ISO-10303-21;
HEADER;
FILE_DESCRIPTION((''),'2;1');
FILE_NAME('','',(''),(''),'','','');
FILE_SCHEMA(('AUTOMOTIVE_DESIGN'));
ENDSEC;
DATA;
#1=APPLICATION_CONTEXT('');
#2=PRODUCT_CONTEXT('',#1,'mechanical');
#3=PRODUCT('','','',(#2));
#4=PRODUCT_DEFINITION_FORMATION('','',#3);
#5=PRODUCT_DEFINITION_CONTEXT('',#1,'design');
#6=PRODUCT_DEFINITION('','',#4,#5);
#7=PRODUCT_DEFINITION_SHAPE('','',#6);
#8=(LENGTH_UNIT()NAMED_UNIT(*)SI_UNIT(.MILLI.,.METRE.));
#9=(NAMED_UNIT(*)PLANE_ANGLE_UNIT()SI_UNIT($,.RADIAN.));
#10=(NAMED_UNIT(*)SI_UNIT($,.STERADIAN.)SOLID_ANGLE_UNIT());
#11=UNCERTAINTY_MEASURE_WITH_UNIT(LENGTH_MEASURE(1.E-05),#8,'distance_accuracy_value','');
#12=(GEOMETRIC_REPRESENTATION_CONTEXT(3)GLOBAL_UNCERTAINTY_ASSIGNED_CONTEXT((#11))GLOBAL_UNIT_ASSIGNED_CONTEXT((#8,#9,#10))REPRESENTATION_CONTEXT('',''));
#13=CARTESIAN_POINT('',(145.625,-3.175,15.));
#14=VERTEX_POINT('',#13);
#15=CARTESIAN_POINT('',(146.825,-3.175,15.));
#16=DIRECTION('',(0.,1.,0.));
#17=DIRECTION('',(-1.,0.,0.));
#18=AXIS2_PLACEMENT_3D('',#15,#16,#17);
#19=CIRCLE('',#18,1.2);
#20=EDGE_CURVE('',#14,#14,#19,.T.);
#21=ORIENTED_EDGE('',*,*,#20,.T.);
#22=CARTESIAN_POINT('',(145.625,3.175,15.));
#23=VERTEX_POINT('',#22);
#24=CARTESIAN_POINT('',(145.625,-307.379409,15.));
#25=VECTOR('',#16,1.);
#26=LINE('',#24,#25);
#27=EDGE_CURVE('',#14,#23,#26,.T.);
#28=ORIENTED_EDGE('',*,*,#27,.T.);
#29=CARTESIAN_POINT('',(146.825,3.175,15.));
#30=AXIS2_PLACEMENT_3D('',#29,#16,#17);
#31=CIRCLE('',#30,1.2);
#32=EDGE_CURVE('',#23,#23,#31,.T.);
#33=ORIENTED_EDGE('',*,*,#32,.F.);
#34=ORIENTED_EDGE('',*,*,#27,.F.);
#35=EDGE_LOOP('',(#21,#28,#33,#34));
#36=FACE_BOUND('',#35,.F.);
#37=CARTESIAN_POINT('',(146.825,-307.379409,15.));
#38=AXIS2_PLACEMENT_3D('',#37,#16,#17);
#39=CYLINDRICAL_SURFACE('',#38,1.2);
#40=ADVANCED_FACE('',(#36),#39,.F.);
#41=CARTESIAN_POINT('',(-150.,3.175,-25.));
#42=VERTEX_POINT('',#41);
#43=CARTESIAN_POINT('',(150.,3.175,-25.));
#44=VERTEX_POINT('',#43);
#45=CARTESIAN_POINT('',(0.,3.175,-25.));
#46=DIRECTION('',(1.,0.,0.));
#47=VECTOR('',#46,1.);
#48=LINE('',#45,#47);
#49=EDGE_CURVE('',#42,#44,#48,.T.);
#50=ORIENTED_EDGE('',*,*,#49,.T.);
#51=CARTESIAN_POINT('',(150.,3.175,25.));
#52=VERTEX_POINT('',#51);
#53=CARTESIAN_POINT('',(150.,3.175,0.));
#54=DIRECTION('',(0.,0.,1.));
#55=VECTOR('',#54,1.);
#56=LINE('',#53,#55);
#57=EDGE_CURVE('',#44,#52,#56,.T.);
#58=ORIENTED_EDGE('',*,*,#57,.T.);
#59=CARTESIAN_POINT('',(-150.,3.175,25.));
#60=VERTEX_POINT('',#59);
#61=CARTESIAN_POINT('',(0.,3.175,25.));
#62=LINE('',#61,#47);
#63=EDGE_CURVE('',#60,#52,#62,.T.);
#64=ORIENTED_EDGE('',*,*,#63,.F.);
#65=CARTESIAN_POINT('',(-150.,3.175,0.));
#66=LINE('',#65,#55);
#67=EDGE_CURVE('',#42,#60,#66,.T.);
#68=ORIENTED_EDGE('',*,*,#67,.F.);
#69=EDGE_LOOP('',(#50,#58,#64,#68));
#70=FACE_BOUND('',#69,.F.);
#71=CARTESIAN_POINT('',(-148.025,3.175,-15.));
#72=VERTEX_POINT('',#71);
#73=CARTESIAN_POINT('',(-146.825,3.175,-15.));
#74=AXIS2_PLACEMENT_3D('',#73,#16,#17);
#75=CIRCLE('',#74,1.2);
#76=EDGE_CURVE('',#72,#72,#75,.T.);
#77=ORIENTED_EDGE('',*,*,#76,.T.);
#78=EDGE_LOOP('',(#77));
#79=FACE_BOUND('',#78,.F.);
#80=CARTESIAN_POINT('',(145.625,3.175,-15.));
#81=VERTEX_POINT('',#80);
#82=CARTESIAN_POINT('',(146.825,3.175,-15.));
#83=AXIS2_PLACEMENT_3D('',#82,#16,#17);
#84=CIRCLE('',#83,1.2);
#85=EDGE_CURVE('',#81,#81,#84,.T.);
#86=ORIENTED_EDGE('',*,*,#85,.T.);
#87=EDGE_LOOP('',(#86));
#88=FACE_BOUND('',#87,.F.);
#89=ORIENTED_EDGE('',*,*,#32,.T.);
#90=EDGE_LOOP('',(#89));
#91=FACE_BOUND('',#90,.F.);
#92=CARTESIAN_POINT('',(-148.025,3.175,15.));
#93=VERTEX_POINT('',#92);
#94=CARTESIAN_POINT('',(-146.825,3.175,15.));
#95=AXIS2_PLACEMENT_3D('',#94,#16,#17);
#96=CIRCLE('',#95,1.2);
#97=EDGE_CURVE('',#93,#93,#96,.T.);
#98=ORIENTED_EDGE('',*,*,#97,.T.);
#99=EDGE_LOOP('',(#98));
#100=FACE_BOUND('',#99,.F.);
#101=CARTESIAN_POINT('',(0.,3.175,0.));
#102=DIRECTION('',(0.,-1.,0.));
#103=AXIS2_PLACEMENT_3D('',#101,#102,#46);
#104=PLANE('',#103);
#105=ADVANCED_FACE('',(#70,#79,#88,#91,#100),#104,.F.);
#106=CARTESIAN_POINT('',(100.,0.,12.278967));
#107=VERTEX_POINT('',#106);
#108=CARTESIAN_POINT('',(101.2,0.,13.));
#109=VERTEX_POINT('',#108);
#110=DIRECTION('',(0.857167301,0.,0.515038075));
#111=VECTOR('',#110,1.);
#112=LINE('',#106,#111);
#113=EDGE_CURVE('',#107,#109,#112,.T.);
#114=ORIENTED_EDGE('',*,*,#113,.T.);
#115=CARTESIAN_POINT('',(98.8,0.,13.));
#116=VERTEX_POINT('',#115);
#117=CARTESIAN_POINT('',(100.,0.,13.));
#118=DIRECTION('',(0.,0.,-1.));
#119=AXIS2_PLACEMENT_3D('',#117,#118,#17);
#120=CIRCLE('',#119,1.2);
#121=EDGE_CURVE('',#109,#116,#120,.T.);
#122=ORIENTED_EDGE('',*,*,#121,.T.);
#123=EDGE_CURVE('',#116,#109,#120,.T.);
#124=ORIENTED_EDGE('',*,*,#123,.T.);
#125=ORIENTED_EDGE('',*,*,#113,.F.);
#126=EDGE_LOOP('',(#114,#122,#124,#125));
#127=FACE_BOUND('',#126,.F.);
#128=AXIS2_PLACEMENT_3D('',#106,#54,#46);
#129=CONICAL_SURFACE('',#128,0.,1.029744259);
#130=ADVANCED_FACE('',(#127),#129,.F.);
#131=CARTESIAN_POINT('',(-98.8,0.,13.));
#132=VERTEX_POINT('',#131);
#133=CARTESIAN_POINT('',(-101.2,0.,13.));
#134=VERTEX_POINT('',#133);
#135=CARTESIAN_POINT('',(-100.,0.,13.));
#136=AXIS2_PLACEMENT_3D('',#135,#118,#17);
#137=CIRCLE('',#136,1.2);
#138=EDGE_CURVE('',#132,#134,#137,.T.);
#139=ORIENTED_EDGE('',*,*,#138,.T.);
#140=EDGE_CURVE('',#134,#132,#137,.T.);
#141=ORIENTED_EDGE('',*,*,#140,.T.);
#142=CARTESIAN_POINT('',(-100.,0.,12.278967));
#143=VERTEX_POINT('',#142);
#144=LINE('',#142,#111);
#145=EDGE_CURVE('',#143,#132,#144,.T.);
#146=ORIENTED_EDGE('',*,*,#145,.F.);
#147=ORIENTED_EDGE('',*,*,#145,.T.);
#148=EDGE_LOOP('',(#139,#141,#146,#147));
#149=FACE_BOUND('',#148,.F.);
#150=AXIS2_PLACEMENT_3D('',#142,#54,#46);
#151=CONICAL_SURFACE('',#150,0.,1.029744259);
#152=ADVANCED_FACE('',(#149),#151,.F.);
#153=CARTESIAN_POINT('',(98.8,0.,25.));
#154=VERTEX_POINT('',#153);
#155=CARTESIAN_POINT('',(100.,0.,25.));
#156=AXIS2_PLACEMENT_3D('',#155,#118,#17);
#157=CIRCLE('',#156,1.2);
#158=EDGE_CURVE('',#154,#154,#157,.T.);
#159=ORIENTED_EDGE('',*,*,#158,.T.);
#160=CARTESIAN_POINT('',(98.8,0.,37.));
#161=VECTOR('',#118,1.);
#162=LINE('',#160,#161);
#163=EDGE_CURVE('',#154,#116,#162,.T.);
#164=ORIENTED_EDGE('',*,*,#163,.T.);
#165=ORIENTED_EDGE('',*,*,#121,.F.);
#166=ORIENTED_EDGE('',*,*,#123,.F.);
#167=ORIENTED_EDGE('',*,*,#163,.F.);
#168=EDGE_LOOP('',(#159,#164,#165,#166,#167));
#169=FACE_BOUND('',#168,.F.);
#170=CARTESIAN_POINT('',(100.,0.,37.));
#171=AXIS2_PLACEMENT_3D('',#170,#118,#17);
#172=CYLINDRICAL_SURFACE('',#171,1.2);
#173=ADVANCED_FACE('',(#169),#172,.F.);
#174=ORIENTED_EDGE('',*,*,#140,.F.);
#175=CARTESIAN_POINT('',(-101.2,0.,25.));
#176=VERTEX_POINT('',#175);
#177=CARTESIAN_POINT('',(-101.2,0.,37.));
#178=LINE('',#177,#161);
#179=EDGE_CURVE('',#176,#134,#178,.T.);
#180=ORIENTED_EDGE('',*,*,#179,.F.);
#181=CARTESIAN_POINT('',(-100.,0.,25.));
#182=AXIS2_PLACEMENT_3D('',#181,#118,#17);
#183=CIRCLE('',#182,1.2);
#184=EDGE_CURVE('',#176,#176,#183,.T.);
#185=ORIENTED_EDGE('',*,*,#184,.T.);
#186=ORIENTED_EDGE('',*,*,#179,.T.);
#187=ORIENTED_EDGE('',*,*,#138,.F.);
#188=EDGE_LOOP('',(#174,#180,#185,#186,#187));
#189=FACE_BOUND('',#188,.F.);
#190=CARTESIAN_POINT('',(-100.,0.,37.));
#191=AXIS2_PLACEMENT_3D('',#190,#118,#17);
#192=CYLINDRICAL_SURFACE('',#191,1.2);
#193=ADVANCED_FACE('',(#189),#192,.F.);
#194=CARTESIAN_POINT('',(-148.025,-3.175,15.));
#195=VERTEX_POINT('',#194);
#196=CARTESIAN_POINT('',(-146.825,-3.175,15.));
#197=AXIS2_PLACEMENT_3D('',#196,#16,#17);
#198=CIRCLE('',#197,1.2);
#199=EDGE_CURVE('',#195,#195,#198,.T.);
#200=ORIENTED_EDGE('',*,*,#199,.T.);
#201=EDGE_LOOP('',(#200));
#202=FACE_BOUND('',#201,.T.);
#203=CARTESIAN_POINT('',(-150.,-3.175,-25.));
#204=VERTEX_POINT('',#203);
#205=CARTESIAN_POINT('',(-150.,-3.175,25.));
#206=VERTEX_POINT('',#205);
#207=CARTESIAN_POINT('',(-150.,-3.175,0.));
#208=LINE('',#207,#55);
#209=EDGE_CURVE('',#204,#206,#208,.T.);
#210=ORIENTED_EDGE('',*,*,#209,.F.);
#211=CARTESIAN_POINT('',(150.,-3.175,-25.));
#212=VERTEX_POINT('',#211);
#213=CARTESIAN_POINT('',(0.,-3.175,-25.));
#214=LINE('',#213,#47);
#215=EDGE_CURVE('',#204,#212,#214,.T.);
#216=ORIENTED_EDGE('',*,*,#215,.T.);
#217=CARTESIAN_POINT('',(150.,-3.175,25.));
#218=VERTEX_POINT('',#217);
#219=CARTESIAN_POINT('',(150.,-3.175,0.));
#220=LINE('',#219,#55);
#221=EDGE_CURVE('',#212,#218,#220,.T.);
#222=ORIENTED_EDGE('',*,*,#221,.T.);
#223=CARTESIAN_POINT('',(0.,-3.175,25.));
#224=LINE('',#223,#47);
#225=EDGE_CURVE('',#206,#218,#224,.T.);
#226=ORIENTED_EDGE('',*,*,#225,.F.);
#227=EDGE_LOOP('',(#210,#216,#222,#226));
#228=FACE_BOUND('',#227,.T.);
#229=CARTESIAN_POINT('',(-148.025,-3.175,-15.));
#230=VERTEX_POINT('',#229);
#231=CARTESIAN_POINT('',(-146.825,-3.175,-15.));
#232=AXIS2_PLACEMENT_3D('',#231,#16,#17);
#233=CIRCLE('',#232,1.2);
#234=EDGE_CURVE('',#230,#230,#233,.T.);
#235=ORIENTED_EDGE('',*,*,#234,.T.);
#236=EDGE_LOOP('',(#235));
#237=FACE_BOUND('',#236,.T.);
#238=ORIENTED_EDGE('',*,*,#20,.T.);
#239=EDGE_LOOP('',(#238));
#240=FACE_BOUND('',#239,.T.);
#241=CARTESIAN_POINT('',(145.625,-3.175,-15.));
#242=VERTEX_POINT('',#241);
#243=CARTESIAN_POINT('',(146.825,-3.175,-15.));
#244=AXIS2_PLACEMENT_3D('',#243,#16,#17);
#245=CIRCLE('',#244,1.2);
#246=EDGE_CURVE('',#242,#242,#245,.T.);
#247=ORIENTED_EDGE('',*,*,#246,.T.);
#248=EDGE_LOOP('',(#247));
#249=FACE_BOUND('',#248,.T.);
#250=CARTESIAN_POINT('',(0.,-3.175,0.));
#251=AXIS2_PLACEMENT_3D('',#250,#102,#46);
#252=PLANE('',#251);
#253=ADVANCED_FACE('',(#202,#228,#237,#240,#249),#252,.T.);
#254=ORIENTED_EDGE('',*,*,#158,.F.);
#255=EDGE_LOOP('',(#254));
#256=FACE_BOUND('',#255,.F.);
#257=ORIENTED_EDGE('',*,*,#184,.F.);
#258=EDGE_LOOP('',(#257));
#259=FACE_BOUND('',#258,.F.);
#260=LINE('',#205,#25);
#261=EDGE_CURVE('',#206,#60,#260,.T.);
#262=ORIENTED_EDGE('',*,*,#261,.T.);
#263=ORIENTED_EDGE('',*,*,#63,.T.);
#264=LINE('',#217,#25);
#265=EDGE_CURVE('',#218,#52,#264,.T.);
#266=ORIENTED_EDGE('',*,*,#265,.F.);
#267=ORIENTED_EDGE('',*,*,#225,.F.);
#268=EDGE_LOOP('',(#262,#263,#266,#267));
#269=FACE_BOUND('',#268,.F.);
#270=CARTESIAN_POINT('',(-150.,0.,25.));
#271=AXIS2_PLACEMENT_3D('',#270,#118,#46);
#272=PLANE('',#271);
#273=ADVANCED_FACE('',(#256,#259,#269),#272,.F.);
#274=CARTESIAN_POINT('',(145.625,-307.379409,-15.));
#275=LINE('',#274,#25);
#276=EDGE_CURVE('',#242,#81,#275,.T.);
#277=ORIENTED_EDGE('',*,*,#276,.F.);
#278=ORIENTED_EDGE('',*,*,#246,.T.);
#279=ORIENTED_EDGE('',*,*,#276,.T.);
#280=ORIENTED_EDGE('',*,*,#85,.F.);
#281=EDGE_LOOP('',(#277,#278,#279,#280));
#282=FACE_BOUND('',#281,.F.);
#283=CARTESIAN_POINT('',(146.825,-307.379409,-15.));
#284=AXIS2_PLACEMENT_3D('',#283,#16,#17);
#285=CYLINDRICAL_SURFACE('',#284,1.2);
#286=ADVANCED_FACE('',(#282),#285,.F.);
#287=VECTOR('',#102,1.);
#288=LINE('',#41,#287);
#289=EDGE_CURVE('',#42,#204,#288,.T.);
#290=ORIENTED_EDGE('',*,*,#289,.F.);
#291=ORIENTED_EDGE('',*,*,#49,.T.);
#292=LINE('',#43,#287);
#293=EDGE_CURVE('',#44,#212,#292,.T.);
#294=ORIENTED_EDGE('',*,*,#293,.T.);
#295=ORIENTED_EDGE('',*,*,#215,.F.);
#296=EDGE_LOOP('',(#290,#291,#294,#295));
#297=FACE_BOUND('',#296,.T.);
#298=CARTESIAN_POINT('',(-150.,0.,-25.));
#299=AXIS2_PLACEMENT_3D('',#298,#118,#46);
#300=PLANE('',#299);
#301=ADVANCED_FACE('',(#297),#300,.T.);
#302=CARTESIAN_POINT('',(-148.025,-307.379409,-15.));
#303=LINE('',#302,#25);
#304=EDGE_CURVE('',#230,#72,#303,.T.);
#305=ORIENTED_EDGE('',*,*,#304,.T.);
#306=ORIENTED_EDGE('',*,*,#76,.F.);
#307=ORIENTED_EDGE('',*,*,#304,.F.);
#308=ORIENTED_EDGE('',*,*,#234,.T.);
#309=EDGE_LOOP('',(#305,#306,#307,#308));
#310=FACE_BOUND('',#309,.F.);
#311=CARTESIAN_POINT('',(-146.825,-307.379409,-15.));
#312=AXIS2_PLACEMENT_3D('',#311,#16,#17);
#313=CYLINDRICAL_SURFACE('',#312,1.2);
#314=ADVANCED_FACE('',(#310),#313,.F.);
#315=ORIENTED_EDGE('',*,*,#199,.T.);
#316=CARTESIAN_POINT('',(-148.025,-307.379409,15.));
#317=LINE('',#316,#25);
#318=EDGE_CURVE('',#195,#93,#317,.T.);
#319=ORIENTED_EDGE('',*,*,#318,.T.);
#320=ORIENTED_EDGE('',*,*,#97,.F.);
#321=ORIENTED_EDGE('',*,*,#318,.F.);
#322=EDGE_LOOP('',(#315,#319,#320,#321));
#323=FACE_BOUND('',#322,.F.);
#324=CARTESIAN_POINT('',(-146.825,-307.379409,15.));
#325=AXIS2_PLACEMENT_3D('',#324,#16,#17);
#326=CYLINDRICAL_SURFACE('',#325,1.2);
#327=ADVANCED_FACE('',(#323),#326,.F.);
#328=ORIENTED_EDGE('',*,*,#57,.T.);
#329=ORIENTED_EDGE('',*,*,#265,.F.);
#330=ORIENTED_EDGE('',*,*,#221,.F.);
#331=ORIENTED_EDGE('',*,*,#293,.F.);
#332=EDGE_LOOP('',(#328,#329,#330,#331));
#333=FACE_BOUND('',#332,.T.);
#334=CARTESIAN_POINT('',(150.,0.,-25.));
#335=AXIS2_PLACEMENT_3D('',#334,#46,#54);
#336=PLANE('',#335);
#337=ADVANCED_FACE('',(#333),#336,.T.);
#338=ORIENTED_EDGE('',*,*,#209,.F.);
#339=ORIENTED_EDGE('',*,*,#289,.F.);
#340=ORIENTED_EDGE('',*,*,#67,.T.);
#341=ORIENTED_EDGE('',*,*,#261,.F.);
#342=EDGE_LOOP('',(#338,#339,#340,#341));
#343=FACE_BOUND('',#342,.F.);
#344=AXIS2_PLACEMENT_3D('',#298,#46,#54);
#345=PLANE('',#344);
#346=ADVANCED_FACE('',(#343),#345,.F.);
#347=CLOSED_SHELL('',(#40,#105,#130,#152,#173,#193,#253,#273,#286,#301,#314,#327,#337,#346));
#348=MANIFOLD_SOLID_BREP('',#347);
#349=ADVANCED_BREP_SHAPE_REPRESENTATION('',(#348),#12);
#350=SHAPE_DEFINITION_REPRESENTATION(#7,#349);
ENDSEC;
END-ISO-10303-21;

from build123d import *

# Parameters (mm, degrees)
F0_W     = 300
F0_H     = 50
F1_DEPTH = 3.175
F3_D     = 2.4
F5_D     = 2.4
F5_DEPTH = 12
F5_TIP   = 0.7210327428


with BuildPart() as f1:
    # F0 (on Front) → F1 (new body, symmetric)
    with BuildSketch(Plane.XZ):
        Rectangle(F0_W, F0_H)
    extrude(amount=F1_DEPTH, both=True)

    # F3 (through all)
    with Locations(Plane.XZ.offset(3.175)):
        with Locations((-146.825, 15), (-146.825, -15), (146.825, 15), (146.825, -15)):
            Hole(F3_D / 2)

    # F5
    with Locations(Plane.XY.offset(25)):
        with Locations((-100, 0), (100, 0)):
            Hole(F5_D / 2, depth=F5_DEPTH)
            with Locations((0, 0, -(F5_DEPTH + F5_TIP / 2))):  # 118° drill point
                Cone(0, F5_D / 2, F5_TIP, mode=Mode.SUBTRACT)


solid = f1.part
